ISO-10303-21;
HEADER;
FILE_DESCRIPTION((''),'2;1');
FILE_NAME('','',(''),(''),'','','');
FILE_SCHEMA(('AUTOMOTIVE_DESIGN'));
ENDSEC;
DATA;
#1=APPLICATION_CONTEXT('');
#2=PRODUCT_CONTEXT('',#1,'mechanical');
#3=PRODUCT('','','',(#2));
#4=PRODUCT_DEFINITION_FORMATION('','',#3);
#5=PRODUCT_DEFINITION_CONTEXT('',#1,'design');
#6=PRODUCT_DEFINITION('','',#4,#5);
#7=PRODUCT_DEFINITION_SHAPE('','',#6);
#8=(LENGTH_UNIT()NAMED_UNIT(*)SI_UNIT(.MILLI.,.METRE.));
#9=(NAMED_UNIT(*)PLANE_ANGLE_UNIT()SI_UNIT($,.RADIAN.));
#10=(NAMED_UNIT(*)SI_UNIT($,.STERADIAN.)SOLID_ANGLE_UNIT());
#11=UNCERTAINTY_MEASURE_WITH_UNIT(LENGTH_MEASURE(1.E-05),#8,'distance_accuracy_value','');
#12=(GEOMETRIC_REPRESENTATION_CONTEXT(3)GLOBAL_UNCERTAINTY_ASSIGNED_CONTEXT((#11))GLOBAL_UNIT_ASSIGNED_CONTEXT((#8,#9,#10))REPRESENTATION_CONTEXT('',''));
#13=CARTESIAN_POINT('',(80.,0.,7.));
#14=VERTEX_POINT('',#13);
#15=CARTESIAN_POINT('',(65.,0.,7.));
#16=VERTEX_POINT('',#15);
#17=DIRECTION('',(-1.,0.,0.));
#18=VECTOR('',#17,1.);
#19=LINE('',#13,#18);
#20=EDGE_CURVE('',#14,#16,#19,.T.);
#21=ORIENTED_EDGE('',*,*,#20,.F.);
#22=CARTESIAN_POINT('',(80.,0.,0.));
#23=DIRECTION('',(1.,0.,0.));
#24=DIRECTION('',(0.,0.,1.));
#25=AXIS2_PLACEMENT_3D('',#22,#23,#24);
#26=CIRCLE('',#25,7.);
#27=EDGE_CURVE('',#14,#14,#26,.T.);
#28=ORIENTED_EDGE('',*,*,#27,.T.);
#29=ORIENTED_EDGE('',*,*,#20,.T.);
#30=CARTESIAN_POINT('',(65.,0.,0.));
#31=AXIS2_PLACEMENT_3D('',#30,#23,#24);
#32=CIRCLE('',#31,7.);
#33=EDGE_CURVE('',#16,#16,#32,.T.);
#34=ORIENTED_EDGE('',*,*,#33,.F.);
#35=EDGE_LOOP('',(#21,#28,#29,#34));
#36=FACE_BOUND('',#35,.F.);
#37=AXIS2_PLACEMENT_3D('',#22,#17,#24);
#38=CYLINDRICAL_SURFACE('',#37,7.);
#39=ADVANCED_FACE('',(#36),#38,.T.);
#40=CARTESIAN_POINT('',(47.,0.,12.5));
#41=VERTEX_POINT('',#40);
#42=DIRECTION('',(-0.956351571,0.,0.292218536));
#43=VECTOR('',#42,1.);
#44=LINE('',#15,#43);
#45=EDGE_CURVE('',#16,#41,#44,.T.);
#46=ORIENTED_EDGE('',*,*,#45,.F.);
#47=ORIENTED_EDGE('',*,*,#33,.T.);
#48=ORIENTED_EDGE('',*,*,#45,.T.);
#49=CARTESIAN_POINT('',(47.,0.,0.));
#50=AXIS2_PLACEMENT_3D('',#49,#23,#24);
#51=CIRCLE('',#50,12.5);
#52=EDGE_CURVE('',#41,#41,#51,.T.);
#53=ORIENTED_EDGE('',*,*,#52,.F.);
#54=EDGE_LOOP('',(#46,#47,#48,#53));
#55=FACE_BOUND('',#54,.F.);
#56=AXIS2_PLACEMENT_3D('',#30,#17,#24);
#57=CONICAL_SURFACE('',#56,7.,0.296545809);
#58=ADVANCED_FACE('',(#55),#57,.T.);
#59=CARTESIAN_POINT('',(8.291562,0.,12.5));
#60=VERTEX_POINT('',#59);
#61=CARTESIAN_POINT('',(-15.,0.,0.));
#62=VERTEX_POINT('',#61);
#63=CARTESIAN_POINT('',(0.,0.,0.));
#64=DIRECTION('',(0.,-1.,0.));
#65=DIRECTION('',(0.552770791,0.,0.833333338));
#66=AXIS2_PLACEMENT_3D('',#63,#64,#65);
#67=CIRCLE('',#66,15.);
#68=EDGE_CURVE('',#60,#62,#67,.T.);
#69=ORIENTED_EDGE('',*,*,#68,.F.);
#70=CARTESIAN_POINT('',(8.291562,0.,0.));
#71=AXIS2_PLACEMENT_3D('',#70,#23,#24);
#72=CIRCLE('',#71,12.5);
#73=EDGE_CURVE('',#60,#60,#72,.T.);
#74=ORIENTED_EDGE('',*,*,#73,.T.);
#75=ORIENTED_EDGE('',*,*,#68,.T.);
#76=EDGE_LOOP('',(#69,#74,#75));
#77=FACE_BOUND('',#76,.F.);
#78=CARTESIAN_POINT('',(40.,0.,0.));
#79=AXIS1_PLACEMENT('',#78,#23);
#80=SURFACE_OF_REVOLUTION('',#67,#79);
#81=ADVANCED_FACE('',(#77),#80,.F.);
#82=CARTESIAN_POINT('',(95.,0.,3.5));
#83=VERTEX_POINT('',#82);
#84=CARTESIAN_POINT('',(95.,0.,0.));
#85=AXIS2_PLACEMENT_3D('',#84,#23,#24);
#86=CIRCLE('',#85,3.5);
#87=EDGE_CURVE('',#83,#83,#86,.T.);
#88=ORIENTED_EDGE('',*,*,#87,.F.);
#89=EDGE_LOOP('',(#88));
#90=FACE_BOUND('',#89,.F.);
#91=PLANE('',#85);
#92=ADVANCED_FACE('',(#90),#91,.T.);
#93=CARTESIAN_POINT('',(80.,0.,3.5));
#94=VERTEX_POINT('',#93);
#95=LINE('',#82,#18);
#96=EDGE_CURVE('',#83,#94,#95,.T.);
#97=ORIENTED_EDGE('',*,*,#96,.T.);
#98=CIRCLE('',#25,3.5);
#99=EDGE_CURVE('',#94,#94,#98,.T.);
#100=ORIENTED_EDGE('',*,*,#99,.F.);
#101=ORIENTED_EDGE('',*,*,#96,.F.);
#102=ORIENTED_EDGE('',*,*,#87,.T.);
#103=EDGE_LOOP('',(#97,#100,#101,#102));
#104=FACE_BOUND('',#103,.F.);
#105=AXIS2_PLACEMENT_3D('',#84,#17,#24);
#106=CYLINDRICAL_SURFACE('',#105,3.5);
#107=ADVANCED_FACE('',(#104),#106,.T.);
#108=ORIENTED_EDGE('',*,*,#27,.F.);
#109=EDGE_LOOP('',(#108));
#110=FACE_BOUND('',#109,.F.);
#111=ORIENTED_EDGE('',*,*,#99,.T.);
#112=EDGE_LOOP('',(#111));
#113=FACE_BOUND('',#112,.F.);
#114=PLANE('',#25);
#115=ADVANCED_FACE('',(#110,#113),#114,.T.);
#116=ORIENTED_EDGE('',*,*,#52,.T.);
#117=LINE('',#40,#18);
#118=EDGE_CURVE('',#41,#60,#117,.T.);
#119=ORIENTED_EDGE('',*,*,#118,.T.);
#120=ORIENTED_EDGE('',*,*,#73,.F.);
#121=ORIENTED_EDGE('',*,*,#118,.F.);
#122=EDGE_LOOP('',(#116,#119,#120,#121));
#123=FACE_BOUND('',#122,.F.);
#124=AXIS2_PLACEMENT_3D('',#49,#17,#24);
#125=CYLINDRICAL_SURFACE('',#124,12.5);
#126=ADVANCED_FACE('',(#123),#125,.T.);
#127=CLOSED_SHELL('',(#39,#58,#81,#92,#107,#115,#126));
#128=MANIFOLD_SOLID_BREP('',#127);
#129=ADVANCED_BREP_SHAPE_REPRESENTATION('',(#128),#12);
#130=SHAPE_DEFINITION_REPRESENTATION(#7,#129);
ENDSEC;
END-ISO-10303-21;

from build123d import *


with BuildPart() as f1:
    # F0 (on Front) → F1 (revolve)
    with BuildSketch(Plane.XZ):
        with BuildLine():
            Line((47, 12.5), (8.291562, 12.5))
            ThreePointArc((8.291562, 12.5), (-7.093186, 13.21691), (-15, 0))
            Line((-15, 0), (95, 0))
            Line((95, 0), (95, 3.5))
            Line((95, 3.5), (80, 3.5))
            Line((80, 3.5), (80, 7))
            Line((80, 7), (65, 7))
            Line((65, 7), (47, 12.5))
        make_face()
    revolve(axis=Axis((40, 0, 0), (1, 0, 0)))


solid = f1.part
